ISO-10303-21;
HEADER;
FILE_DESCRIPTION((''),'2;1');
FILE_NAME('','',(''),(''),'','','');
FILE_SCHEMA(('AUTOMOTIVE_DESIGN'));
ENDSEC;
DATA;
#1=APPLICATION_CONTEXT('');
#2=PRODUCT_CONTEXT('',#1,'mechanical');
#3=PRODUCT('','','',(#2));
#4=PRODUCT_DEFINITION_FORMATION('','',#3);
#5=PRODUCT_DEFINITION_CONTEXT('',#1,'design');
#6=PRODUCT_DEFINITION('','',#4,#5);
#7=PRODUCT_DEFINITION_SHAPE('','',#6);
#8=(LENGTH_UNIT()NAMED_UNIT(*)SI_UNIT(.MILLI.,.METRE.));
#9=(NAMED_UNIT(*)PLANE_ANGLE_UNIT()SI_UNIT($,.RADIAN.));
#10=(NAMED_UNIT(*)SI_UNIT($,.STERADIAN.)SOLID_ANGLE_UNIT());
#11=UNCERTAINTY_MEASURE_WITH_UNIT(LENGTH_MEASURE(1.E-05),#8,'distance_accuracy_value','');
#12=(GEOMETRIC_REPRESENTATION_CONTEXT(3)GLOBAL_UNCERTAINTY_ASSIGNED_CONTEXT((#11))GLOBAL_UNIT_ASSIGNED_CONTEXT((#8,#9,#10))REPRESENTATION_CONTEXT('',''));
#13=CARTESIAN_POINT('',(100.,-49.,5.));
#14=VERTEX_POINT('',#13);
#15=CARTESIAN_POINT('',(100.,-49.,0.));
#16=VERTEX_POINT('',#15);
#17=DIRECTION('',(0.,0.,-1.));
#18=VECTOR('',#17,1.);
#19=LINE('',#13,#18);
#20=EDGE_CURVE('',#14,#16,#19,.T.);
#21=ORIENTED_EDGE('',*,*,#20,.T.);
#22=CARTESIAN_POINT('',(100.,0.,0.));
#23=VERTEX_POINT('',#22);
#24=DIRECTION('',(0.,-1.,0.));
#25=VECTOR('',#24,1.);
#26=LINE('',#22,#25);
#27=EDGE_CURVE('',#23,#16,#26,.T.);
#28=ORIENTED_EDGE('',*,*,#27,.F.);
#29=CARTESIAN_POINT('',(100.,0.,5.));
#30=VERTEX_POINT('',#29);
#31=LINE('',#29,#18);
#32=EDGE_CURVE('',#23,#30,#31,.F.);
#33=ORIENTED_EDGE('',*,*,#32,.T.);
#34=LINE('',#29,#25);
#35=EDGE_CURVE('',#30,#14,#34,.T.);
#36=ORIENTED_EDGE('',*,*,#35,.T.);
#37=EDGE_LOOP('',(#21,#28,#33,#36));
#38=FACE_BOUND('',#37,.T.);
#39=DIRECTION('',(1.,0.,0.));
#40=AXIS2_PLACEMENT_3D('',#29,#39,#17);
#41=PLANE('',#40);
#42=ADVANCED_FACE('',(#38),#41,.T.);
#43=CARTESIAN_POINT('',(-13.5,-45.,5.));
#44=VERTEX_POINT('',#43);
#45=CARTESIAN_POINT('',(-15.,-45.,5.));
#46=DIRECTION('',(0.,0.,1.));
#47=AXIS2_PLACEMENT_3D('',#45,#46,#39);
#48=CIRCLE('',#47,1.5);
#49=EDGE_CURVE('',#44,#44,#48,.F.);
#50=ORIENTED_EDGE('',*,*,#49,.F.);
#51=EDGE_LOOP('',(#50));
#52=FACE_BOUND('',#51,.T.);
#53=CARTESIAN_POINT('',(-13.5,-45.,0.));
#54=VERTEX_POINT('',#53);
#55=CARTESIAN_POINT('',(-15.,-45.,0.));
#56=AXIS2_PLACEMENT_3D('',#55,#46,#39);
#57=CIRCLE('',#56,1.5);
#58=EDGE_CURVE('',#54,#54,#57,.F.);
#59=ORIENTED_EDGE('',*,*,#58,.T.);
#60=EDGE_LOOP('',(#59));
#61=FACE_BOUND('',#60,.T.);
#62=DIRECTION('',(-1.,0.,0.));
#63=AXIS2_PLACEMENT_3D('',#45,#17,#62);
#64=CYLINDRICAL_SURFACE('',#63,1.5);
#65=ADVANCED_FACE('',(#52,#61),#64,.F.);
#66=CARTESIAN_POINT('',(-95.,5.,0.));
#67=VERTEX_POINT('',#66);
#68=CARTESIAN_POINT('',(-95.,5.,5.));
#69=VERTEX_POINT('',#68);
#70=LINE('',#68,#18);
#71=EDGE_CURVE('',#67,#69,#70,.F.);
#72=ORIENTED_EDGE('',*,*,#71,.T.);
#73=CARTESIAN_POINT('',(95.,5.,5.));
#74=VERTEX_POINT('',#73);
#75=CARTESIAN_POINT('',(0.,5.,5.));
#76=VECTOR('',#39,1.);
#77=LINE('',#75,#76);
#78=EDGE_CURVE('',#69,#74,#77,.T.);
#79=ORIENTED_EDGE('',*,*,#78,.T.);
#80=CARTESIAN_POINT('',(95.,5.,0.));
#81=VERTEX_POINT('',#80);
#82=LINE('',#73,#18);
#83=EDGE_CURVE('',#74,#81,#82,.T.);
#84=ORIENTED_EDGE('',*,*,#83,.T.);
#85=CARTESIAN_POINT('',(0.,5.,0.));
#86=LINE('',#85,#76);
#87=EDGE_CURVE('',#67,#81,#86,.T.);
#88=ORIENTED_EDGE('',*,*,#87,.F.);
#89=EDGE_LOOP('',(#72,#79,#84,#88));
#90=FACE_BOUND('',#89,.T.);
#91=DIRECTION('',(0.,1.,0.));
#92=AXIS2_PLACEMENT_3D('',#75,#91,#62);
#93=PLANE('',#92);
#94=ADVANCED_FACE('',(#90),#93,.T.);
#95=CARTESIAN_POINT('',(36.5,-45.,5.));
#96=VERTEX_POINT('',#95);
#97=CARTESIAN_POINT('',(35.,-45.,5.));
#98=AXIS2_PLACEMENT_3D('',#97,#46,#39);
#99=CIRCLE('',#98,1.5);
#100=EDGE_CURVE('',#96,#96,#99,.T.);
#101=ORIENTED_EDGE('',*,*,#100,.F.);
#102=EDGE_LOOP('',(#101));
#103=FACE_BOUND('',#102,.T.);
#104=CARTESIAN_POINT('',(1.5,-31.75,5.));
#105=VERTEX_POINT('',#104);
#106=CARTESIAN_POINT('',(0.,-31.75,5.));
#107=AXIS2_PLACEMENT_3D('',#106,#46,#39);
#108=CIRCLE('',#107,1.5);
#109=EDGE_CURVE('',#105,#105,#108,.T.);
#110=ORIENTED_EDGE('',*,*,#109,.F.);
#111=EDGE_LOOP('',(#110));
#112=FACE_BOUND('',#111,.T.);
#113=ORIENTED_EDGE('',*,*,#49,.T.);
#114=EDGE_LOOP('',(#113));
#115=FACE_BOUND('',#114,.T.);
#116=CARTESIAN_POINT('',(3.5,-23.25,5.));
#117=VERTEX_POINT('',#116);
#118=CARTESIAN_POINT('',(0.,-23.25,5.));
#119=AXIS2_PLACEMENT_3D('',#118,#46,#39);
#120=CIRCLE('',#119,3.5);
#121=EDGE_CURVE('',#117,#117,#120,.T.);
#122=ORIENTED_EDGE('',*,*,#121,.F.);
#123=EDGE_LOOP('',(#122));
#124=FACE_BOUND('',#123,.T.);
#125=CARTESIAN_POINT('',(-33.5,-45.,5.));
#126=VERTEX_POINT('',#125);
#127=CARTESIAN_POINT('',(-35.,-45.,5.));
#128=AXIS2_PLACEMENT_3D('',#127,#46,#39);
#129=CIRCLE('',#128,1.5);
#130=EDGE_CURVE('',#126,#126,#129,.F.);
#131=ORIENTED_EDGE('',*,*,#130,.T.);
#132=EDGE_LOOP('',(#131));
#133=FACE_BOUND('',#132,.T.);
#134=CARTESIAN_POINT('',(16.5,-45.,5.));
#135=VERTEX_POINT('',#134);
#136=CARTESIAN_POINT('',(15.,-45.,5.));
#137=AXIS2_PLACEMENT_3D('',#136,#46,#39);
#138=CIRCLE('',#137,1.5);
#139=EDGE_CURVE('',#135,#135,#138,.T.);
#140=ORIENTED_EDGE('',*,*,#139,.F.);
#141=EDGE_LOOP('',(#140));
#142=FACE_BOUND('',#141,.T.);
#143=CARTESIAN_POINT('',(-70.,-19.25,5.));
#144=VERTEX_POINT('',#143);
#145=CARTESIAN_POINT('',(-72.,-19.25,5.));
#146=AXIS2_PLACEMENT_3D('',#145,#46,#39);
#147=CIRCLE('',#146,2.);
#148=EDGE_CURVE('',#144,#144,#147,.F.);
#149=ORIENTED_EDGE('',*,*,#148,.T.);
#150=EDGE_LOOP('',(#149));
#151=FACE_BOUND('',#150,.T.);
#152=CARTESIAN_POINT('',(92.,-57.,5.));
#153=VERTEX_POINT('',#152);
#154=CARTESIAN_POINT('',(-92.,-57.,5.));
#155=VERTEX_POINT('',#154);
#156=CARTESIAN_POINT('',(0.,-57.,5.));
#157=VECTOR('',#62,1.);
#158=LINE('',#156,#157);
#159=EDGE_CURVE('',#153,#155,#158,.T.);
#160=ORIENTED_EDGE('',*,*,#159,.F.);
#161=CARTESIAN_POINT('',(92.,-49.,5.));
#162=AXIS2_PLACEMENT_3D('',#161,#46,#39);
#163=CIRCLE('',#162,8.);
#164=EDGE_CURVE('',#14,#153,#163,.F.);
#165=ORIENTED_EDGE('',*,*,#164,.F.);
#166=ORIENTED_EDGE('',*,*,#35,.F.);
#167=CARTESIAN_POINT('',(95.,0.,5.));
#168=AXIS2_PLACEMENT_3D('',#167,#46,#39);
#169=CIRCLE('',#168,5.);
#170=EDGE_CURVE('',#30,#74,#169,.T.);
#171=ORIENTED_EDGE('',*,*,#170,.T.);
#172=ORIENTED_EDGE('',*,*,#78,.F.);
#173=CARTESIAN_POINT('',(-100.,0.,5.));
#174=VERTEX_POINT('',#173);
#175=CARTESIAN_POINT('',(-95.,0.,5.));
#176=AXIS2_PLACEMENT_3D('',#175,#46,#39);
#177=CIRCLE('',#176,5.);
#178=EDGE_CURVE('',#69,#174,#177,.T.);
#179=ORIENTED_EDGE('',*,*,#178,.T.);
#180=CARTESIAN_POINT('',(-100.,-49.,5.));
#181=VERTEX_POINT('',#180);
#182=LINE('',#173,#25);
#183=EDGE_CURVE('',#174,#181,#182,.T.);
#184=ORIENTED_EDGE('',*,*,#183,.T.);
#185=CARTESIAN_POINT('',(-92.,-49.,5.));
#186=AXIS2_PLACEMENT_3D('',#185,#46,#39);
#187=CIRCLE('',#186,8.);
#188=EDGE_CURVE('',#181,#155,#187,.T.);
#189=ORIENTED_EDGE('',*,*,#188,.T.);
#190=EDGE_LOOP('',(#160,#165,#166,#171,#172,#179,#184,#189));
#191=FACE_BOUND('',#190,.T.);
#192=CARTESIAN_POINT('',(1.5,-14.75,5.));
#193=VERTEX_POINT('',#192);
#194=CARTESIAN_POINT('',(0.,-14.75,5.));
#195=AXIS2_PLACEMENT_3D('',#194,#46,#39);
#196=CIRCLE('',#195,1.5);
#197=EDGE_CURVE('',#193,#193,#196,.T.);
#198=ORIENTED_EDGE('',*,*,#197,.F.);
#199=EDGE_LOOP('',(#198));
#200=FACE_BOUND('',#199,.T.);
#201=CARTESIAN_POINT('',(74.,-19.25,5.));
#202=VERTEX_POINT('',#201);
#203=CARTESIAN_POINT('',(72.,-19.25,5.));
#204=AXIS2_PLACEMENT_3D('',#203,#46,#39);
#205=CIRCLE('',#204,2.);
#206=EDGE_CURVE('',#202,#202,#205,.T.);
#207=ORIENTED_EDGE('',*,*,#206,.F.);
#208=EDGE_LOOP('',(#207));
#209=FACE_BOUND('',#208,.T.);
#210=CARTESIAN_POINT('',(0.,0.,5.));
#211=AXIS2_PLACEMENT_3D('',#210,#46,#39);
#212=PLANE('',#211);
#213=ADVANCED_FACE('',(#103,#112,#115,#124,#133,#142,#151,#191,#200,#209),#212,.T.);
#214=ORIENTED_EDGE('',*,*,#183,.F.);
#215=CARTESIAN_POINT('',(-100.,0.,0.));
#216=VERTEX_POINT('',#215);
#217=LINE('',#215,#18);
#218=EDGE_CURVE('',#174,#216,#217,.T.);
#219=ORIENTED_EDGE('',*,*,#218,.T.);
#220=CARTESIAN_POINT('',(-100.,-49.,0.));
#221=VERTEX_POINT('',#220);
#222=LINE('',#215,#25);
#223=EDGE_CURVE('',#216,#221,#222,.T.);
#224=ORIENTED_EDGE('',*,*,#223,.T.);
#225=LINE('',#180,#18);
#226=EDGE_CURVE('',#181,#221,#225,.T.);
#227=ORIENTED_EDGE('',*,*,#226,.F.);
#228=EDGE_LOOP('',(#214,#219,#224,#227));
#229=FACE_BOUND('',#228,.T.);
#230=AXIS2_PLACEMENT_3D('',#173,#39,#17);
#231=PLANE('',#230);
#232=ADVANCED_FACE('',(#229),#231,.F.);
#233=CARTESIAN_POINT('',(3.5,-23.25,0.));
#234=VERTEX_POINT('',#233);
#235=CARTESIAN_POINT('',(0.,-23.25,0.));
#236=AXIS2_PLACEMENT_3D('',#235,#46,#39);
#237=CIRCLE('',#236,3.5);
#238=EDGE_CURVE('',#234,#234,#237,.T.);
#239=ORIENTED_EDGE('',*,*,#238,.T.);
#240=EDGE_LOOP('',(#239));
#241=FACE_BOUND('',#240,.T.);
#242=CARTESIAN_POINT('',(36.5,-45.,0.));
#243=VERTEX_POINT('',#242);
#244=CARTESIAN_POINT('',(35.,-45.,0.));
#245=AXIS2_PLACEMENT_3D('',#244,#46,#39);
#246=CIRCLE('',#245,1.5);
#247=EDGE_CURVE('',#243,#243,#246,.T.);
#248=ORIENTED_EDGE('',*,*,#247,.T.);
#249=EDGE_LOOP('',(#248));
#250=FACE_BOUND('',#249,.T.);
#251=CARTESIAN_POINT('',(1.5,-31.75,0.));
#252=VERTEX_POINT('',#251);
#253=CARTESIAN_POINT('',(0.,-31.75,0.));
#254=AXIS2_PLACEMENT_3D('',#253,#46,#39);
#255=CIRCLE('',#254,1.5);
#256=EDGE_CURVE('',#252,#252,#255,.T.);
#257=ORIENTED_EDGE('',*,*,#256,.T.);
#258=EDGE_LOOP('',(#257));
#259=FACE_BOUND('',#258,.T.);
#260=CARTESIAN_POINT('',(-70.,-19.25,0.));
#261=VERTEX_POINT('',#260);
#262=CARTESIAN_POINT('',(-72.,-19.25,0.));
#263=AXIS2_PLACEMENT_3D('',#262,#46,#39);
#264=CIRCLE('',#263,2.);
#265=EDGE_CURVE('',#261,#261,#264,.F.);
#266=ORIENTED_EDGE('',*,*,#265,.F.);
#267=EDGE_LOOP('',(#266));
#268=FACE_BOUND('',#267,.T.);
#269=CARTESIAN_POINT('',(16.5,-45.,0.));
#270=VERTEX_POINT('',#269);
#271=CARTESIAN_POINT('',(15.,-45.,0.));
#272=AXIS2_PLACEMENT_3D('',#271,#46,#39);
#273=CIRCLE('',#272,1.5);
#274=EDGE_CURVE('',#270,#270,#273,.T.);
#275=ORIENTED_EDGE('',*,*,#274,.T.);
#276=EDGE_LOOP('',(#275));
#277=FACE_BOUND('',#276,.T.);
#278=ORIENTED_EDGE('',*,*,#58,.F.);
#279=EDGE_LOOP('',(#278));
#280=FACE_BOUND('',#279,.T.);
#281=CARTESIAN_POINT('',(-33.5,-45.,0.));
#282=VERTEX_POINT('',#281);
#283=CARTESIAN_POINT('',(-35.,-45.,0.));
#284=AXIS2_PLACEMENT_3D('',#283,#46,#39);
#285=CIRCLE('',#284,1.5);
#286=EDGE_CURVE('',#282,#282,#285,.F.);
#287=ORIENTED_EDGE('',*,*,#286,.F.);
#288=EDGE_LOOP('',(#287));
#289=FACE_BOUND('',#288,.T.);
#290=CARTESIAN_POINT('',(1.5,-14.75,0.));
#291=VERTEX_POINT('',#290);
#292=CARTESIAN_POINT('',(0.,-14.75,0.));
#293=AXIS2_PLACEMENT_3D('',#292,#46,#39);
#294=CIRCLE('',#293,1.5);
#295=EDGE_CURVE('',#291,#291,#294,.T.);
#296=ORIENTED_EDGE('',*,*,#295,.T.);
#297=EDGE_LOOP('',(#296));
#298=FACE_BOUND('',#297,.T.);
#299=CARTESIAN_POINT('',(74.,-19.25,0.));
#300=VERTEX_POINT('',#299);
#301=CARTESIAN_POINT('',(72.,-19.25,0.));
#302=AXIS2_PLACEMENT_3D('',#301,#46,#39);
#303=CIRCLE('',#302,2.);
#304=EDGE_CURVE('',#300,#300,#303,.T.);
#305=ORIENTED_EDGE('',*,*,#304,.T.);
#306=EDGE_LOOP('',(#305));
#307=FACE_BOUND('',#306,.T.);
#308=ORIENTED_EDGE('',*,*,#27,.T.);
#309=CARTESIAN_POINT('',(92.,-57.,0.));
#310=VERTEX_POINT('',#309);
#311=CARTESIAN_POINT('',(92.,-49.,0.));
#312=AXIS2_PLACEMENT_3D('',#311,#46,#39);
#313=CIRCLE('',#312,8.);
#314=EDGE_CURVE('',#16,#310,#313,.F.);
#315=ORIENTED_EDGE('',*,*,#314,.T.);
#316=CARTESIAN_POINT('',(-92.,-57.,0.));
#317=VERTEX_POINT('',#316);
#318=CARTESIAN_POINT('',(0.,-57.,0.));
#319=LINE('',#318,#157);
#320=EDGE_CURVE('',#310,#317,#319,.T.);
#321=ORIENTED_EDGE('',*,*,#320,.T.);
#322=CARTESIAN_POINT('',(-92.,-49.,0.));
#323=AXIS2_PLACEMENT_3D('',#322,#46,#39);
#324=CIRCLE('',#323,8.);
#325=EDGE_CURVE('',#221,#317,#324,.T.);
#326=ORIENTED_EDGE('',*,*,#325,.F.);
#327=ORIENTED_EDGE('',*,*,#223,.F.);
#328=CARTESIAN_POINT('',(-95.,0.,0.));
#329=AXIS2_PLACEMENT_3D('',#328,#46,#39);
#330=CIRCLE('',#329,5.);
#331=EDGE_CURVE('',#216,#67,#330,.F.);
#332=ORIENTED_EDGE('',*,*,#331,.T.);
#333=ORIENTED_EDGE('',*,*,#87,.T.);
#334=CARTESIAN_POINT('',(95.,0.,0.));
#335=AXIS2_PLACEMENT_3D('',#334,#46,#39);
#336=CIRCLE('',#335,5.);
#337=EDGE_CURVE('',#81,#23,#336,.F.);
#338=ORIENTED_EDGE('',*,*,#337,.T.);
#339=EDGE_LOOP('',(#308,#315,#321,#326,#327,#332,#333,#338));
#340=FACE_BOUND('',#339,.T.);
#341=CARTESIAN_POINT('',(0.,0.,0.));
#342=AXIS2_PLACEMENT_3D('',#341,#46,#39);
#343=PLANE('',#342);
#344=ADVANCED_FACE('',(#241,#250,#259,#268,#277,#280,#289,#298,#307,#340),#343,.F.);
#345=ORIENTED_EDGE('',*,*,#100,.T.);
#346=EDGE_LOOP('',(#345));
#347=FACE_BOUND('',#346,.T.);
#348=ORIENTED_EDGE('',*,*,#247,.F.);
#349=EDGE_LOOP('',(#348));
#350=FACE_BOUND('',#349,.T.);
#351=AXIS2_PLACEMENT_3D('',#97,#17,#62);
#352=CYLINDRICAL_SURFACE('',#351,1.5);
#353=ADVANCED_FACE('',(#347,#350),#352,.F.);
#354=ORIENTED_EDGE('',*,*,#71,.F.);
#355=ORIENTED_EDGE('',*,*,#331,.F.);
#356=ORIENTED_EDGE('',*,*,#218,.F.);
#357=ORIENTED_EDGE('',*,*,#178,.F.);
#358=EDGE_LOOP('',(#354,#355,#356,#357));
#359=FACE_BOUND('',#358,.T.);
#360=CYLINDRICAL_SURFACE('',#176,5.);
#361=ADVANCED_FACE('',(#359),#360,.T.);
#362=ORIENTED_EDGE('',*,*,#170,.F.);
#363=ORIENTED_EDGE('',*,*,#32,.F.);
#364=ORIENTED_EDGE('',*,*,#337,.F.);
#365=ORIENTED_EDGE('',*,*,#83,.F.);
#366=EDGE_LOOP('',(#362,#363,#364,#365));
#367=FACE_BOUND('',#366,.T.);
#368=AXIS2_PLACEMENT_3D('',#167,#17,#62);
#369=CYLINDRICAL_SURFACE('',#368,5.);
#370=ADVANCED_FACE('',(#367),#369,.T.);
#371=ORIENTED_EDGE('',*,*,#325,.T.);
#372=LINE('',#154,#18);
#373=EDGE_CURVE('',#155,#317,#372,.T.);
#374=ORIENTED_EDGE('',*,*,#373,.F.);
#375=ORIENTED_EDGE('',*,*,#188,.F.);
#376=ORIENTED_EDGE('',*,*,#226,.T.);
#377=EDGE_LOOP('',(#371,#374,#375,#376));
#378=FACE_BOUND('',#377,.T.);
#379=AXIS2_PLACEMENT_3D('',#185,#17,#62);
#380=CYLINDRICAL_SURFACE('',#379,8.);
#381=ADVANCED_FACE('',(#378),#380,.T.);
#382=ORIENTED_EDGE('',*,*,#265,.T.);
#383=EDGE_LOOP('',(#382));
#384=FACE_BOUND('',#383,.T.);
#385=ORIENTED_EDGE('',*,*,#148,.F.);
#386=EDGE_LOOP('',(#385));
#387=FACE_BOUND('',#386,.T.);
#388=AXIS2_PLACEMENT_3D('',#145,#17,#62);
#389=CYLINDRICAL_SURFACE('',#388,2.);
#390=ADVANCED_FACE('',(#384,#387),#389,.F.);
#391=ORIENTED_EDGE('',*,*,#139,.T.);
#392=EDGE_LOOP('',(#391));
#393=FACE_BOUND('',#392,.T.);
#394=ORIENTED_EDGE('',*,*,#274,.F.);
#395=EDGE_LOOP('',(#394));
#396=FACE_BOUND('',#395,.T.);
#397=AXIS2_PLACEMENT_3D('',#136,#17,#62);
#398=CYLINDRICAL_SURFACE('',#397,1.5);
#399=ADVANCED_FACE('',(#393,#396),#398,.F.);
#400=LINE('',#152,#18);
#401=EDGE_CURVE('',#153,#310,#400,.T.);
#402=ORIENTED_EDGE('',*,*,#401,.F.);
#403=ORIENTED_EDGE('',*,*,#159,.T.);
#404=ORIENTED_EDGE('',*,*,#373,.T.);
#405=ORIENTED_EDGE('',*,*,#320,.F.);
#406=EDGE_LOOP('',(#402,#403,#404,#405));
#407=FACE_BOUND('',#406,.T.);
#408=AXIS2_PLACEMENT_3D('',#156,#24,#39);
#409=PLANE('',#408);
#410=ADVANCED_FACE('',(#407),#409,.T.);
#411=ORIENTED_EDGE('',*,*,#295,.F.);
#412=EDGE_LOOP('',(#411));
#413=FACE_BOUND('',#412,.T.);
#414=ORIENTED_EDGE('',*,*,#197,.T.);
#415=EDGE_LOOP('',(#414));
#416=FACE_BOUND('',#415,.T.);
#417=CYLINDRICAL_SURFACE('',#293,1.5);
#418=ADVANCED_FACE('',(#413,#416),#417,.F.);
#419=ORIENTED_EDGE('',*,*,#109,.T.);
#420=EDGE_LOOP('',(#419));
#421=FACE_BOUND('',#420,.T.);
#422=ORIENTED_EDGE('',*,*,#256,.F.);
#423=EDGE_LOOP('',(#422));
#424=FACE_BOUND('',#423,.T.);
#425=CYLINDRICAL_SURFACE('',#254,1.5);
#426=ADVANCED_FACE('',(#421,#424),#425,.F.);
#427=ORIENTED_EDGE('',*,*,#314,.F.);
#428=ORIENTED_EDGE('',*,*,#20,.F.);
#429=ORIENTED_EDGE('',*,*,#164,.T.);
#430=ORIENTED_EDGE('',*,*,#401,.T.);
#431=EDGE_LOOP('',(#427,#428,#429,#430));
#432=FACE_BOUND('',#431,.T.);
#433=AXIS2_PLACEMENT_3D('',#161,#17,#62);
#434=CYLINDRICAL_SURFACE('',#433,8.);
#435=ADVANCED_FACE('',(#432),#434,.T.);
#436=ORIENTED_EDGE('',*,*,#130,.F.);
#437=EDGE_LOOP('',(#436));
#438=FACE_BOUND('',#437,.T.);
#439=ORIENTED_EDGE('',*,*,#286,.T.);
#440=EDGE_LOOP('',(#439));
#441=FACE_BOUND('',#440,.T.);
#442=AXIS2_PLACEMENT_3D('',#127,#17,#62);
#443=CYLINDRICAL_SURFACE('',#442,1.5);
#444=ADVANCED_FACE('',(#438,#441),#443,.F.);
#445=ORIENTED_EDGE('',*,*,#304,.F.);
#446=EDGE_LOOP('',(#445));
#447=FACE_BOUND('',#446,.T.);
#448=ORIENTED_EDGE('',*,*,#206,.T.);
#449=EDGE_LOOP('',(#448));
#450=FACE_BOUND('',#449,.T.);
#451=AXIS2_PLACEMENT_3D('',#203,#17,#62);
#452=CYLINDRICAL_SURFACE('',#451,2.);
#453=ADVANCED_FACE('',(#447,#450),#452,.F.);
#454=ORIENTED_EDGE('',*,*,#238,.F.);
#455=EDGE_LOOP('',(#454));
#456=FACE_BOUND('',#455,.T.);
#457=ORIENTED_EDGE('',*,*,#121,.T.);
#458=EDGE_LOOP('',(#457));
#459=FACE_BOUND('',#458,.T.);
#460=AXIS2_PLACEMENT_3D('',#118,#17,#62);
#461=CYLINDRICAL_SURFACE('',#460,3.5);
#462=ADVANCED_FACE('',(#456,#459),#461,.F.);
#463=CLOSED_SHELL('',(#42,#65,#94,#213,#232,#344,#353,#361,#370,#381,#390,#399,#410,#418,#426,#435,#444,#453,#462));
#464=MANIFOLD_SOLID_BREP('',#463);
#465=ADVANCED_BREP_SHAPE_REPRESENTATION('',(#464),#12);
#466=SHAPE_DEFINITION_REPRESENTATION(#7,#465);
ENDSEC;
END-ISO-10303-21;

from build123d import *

# Parameters (mm, degrees)
CROQUIS1_R              = 1.5
CROQUIS1_R_2            = 2
CROQUIS1_R_3            = 3.5
SALIENTE_EXTRUIR1_DEPTH = 5
REDONDEO1_R             = 5
CROQUIS2_R              = 1.5
CORTAR_EXTRUIR1_DEPTH   = 116.212846506


with BuildPart() as part:
    # Croquis1 → Saliente-Extruir1 (new body)
    with BuildSketch(Plane.XY):
        with BuildLine():
            Line((100, -49), (100, 0))
            Line((100, 0), (100, 5))
            Line((100, 5), (-100, 5))
            Line((-100, 5), (-100, 0))
            Line((-100, 0), (-100, -49))
            ThreePointArc((-100, -49), (-97.656854249, -54.656854249), (-92, -57))
            Line((-92, -57), (92, -57))
            ThreePointArc((92, -57), (97.656854249, -54.656854249), (100, -49))
        make_face()
        with Locations((-35, -45)):
            Circle(CROQUIS1_R, mode=Mode.SUBTRACT)
        with Locations((-15, -45)):
            Circle(CROQUIS1_R, mode=Mode.SUBTRACT)
        with Locations((15, -45)):
            Circle(CROQUIS1_R, mode=Mode.SUBTRACT)
        with Locations((35, -45)):
            Circle(CROQUIS1_R, mode=Mode.SUBTRACT)
        with Locations((-72, -19.25)):
            Circle(CROQUIS1_R_2, mode=Mode.SUBTRACT)
        with Locations((0, -23.25)):
            Circle(CROQUIS1_R_3, mode=Mode.SUBTRACT)
        with Locations((72, -19.25)):
            Circle(CROQUIS1_R_2, mode=Mode.SUBTRACT)
    extrude(amount=SALIENTE_EXTRUIR1_DEPTH)

    # Redondeo1
    redondeo1_edges = [part.edges().sort_by_distance(p)[0] for p in [
        (-100, 5, 2.5),
        (100, 5, 2.5),
    ]]
    fillet(redondeo1_edges, radius=REDONDEO1_R)

    # Croquis2 → Cortar-Extruir1 (cut, through all)
    with BuildSketch(Plane.XY.offset(5)):
        with Locations((0, -14.75)):
            Circle(CROQUIS2_R)
        with Locations((0, -31.75)):
            Circle(CROQUIS2_R)
    extrude(amount=-CORTAR_EXTRUIR1_DEPTH, mode=Mode.SUBTRACT)


solid = part.part
